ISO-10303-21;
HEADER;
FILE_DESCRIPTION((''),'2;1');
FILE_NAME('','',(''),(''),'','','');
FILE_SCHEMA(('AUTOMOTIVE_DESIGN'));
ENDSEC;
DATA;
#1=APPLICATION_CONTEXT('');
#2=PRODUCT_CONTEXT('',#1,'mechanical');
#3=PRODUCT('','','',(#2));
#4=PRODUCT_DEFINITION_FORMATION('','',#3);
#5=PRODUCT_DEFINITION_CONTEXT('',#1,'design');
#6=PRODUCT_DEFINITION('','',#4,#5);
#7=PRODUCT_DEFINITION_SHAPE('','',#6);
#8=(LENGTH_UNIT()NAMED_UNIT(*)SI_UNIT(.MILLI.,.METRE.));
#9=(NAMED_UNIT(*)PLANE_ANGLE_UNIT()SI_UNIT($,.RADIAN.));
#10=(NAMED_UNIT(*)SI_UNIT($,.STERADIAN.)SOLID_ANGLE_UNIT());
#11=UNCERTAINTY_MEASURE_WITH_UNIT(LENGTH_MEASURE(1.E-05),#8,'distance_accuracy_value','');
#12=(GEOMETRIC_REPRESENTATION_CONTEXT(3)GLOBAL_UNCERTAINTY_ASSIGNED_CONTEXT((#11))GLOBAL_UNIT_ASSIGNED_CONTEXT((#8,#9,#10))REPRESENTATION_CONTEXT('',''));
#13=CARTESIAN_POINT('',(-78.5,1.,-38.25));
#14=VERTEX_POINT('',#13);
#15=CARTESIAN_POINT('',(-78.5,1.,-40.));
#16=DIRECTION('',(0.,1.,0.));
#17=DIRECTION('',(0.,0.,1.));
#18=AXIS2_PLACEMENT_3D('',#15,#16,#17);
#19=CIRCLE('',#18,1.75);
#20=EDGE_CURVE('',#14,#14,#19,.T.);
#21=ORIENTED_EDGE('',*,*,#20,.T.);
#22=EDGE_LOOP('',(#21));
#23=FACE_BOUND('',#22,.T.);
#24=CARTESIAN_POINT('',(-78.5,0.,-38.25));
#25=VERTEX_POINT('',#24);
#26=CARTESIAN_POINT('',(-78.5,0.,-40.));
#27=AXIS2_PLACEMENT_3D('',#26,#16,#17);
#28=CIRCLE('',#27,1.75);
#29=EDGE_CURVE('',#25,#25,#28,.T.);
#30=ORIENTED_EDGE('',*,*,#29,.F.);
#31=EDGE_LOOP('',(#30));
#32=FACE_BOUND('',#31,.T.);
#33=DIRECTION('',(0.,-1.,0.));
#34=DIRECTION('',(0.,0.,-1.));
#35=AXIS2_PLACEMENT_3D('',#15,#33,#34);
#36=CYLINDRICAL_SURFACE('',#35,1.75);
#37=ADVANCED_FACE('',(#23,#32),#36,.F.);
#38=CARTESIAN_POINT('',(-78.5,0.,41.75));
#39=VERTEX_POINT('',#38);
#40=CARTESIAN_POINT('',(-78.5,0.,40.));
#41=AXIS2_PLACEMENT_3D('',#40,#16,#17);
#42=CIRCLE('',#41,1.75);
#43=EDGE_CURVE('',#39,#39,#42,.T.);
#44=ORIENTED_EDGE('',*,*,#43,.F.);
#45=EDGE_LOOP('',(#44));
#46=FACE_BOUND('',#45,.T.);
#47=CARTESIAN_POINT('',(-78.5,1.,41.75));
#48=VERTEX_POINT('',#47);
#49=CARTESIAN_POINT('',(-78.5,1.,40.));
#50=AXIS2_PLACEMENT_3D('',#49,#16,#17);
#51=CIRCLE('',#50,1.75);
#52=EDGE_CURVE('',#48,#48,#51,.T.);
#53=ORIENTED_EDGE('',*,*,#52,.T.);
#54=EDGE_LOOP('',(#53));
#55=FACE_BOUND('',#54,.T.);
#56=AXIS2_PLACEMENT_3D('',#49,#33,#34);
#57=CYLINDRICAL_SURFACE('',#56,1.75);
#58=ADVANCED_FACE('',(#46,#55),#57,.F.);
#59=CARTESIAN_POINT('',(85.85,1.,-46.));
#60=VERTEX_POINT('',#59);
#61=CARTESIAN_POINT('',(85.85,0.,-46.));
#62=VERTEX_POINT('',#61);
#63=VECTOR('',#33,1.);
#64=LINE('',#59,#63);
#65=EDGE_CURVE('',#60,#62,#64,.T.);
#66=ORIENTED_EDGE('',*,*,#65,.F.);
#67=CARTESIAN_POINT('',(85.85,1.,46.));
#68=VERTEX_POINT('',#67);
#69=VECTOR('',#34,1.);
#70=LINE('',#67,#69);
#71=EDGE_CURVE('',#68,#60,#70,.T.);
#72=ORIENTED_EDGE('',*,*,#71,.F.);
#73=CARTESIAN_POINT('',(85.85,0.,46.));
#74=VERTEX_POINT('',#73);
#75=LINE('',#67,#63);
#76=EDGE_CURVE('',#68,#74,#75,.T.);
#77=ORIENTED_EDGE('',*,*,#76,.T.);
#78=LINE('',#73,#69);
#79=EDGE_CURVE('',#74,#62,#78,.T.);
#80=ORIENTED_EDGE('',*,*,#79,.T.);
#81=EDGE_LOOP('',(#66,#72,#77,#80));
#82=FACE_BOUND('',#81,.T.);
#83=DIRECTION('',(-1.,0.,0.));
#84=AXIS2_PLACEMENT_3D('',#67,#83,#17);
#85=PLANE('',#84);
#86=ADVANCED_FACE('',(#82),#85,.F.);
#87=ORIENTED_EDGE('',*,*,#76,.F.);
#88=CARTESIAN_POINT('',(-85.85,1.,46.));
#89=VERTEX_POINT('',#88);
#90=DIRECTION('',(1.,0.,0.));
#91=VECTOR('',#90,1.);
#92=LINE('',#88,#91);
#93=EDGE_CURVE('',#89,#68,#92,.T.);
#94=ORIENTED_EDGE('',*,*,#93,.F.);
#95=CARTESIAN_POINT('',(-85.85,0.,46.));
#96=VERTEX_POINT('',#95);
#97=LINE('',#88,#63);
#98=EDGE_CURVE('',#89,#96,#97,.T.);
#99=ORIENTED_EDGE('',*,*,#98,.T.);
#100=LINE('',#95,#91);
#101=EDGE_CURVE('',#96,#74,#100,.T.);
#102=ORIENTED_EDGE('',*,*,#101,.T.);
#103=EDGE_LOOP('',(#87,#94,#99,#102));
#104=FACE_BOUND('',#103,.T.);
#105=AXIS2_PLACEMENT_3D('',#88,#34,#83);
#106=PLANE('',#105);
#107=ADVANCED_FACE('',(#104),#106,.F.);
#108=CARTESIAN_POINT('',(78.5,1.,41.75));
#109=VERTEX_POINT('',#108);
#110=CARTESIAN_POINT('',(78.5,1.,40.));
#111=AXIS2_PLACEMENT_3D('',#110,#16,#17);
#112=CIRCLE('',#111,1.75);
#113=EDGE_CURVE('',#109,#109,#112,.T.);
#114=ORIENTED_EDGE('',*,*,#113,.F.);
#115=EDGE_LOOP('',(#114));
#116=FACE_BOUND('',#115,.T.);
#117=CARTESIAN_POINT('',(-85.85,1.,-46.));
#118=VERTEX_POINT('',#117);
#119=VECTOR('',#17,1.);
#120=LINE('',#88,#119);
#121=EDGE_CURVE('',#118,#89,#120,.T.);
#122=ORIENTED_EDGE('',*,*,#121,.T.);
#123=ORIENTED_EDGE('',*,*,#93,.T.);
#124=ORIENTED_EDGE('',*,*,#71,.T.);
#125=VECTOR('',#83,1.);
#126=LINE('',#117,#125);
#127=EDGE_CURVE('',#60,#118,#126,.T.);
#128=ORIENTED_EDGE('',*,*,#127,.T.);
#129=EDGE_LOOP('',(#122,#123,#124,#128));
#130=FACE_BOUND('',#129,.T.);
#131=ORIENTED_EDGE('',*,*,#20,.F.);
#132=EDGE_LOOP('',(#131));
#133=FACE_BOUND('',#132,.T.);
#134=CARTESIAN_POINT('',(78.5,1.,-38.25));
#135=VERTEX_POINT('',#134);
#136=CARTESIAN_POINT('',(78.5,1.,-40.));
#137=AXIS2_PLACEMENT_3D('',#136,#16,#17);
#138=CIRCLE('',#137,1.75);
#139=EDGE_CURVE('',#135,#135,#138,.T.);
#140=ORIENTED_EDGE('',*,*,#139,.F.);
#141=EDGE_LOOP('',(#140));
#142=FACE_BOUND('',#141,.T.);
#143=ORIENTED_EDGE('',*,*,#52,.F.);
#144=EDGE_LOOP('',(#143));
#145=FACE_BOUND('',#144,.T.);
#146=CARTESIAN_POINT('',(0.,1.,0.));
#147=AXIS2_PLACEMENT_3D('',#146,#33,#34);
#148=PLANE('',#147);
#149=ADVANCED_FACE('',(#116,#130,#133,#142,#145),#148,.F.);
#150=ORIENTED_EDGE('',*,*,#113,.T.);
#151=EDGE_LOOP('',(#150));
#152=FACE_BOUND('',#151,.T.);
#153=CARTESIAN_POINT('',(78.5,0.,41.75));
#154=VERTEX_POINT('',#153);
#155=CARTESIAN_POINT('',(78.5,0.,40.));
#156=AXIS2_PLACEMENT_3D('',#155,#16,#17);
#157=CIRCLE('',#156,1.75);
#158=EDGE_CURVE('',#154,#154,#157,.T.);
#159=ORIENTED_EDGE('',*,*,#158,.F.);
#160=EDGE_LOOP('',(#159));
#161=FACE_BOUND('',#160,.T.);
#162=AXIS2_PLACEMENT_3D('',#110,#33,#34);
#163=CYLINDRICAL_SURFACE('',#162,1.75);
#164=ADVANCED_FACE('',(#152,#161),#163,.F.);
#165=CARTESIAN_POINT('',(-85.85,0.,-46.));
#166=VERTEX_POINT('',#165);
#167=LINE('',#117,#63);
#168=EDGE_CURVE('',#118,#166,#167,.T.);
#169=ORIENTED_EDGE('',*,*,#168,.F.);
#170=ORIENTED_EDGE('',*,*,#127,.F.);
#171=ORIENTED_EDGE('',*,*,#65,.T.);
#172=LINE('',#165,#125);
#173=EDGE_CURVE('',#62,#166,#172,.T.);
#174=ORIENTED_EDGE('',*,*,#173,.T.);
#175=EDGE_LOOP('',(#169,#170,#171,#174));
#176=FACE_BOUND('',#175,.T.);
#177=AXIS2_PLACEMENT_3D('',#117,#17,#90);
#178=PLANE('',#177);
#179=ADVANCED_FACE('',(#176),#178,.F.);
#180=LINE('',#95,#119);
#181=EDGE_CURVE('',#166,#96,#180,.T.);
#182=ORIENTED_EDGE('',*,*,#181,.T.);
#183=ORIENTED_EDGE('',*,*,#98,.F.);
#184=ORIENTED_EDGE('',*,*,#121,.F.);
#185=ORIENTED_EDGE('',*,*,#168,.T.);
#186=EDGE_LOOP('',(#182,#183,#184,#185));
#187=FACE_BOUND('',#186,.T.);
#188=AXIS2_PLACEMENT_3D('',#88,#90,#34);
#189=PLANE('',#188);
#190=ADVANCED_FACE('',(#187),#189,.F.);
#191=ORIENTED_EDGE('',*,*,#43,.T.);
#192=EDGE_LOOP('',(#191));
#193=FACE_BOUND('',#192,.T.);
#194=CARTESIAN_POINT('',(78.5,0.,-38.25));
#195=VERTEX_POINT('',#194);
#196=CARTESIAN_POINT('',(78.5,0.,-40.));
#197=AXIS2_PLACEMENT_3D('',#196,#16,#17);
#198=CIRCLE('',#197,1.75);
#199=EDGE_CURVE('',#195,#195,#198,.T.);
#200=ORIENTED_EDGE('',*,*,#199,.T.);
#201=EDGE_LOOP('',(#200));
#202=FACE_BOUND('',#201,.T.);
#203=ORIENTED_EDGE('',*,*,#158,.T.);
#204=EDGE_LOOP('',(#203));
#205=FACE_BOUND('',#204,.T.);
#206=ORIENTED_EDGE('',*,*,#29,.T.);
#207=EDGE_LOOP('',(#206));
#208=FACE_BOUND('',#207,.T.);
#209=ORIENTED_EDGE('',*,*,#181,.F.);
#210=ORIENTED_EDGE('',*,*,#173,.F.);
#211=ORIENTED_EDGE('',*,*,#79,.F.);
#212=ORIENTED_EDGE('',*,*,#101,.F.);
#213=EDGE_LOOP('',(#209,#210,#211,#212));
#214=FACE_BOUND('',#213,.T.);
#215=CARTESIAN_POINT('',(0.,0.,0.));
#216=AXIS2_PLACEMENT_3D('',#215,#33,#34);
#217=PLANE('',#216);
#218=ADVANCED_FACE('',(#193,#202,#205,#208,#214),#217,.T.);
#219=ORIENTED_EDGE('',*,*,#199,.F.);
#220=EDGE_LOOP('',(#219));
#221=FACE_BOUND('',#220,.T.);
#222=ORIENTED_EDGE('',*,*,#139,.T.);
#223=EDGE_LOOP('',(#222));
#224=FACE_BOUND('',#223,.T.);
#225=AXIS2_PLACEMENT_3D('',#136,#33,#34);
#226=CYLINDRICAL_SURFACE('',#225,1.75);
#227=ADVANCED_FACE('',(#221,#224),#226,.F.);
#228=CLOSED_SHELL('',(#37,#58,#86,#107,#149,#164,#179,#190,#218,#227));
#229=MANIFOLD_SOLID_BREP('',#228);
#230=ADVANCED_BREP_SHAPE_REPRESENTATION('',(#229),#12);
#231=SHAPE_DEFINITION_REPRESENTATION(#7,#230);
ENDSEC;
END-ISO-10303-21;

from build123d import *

# Parameters (mm, degrees)
SKETCH1_W           = 171.7
SKETCH1_H           = 92
SKETCH1_R           = 1.75
BOSS_EXTRUDE1_DEPTH = 1


with BuildPart() as part:
    # Sketch1 → Boss-Extrude1 (new body)
    with BuildSketch(Plane(origin=(0, 0, 0), x_dir=(1, 0, 0), z_dir=(0, 1, 0))):
        Rectangle(SKETCH1_W, SKETCH1_H)
        with Locations(Location((-78.5, 40, 0), (0, 0, 270))):
            Circle(SKETCH1_R, mode=Mode.SUBTRACT)
        with Locations(Location((78.5, 40, 0), (0, 0, 270))):
            Circle(SKETCH1_R, mode=Mode.SUBTRACT)
        with Locations(Location((-78.5, -40, 0), (0, 0, 270))):
            Circle(SKETCH1_R, mode=Mode.SUBTRACT)
        with Locations(Location((78.5, -40, 0), (0, 0, 270))):
            Circle(SKETCH1_R, mode=Mode.SUBTRACT)
    extrude(amount=BOSS_EXTRUDE1_DEPTH)


solid = part.part
